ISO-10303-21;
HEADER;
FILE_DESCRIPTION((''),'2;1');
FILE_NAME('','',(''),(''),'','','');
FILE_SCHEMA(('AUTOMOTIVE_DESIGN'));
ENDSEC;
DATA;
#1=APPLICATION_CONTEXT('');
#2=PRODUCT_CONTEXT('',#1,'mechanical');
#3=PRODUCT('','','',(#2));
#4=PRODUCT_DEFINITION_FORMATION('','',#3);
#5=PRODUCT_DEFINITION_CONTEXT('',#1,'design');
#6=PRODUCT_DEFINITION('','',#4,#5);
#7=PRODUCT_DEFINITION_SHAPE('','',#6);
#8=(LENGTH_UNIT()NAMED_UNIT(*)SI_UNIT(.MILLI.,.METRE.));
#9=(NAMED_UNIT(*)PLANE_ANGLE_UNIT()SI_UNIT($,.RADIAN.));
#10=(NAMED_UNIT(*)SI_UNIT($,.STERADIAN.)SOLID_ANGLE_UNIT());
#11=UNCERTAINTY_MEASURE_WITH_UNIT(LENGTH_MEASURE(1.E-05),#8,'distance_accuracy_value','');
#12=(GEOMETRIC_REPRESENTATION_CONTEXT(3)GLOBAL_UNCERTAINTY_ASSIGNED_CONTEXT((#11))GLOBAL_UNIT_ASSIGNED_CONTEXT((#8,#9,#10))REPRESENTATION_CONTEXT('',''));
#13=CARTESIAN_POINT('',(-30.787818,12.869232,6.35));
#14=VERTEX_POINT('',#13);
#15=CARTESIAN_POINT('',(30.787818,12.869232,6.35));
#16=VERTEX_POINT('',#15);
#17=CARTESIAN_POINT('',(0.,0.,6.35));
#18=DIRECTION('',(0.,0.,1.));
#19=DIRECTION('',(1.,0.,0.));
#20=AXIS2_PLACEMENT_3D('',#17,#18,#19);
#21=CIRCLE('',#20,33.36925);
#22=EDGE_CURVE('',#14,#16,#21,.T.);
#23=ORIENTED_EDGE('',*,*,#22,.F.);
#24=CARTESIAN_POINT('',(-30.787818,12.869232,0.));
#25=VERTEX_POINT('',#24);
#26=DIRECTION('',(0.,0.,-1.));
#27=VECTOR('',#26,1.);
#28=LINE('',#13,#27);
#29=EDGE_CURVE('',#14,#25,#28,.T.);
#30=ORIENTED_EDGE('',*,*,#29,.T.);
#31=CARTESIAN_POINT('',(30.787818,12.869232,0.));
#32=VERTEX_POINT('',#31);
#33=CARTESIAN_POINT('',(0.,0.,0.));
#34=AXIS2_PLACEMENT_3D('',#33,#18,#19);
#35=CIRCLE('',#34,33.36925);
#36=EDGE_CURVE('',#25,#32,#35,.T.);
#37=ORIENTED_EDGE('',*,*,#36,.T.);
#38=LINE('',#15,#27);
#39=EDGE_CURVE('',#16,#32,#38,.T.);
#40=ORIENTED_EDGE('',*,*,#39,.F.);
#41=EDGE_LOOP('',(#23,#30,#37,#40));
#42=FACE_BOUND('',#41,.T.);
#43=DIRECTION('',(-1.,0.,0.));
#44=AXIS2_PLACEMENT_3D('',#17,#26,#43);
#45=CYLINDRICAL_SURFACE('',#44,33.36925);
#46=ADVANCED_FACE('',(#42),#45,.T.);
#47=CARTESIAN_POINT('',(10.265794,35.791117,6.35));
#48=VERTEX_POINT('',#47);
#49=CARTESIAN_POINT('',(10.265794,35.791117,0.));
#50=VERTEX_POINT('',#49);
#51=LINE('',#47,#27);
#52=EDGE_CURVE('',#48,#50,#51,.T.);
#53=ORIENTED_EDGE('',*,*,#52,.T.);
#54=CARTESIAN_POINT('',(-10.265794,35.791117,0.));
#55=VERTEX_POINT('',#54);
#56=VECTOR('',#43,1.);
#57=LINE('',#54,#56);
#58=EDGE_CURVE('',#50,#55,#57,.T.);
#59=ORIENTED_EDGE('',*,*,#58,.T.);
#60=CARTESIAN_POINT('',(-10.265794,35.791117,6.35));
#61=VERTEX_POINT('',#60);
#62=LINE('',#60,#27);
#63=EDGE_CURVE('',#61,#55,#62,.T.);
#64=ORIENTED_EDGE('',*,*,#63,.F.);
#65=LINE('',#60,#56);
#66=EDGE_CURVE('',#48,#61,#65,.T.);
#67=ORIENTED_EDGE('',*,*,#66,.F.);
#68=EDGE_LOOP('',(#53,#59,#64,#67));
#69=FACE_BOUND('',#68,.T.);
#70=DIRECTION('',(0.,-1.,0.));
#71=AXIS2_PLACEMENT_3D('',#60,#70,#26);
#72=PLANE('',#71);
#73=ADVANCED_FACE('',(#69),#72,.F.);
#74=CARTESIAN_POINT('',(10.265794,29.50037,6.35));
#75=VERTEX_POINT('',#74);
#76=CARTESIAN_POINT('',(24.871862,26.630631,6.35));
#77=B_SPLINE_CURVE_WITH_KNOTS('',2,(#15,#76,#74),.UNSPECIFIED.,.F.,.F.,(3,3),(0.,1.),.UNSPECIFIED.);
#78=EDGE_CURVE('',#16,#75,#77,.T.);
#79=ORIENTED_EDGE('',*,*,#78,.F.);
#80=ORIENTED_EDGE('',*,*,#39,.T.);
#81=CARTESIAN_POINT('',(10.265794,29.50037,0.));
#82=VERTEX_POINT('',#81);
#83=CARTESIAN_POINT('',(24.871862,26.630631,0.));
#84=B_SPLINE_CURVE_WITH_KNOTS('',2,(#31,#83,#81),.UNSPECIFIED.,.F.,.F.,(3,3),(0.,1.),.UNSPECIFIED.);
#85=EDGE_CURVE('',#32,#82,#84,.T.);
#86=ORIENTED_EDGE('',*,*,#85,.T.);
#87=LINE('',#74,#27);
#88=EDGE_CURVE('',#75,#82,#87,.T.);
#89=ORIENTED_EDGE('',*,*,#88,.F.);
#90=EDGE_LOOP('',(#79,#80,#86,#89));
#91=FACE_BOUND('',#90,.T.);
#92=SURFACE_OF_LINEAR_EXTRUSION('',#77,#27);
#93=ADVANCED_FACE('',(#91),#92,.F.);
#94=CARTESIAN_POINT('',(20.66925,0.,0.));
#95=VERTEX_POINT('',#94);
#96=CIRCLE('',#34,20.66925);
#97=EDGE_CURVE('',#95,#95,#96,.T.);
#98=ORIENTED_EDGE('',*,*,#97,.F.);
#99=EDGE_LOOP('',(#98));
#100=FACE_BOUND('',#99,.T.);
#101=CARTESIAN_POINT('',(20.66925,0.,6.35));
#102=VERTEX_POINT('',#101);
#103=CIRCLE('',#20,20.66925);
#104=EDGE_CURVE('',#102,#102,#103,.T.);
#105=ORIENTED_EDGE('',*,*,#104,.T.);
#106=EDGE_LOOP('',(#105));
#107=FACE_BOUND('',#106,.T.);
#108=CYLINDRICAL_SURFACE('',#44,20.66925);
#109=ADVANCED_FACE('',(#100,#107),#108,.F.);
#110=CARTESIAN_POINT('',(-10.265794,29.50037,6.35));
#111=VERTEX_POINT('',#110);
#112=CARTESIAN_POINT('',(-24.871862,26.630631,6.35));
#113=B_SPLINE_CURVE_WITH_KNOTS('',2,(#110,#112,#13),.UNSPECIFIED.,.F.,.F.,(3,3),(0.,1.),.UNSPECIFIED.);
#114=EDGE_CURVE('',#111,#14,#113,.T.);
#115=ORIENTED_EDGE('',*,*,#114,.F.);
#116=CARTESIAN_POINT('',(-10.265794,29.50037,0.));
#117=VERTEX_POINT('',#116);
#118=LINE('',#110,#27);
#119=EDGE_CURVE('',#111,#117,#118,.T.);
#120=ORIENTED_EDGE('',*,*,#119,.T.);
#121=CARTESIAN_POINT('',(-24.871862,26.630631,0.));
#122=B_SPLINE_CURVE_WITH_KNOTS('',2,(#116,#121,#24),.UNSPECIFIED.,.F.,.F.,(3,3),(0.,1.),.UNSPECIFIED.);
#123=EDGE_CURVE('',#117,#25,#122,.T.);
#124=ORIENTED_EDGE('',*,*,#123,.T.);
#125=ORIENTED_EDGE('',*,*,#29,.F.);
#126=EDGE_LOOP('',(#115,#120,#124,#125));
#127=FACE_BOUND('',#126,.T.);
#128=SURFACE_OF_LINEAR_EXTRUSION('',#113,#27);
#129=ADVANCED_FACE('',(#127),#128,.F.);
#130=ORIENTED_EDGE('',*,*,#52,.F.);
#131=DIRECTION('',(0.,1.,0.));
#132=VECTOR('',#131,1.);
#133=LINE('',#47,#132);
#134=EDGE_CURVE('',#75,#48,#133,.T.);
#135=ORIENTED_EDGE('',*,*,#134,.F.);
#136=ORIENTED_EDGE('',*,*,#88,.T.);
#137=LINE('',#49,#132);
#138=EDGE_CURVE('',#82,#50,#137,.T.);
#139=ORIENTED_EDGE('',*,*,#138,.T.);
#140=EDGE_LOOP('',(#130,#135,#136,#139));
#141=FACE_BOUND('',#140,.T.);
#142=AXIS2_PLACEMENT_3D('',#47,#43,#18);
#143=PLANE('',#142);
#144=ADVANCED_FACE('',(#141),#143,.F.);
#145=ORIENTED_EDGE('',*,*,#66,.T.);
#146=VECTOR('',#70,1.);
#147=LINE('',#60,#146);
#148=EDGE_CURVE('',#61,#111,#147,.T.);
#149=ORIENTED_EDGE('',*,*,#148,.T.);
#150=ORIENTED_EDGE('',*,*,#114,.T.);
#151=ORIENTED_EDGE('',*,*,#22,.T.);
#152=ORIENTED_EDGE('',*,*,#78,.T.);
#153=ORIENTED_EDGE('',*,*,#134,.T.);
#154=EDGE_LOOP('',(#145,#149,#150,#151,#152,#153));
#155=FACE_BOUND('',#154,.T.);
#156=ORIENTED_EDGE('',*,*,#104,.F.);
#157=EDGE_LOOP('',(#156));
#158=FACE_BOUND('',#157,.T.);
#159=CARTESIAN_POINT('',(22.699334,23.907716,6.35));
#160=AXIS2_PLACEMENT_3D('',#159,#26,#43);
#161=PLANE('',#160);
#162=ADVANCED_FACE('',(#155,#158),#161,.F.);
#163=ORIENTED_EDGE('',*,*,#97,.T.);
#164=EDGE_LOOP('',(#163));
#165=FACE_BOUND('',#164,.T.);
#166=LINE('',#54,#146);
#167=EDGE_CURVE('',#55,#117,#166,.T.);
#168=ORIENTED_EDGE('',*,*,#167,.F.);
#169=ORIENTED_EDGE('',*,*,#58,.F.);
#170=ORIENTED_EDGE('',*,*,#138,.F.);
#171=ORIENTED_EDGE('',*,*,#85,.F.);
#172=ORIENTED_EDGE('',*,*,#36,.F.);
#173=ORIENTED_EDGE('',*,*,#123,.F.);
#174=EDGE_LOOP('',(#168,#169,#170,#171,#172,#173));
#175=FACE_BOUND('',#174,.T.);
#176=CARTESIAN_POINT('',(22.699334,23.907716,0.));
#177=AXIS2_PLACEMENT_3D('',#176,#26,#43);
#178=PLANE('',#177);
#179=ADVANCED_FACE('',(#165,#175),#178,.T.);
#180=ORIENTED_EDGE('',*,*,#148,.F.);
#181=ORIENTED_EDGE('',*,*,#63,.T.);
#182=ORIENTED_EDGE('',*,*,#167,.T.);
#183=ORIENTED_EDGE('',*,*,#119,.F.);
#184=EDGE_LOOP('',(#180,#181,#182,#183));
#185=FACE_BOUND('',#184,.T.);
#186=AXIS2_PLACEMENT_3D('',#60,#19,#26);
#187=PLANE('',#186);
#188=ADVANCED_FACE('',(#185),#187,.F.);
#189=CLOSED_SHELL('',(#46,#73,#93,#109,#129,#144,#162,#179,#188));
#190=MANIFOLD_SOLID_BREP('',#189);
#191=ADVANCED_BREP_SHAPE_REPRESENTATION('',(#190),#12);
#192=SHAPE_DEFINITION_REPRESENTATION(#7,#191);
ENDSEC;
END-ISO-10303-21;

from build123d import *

# Parameters (mm, degrees)
SKETCH1_R           = 20.66925
BOSS_EXTRUDE1_DEPTH = 6.35


with BuildPart() as part:
    # Sketch1 → Boss-Extrude1 (new body)
    with BuildSketch(Plane.XY):
        with BuildLine():
            Line((-10.265793628, 35.791116693), (10.265793628, 35.791116693))
            Line((10.265793628, 35.791116693), (10.265793628, 29.50036983))
            add(Edge.make_bspline(
                [(30.787817782, 12.869231593), (24.871862383, 26.630631307), (10.265793628, 29.50036983)],
                knots=[0, 0, 0, 1, 1, 1], degree=2))
            ThreePointArc((30.787817782, 12.869231593), (0, -33.36925), (-30.787817782, 12.869231593))
            add(Edge.make_bspline(
                [(-30.787817782, 12.869231593), (-24.871862383, 26.630631307), (-10.265793628, 29.50036983)],
                knots=[0, 0, 0, 1, 1, 1], degree=2))
            Line((-10.265793628, 29.50036983), (-10.265793628, 35.791116693))
        make_face()
        Circle(SKETCH1_R, mode=Mode.SUBTRACT)
    extrude(amount=BOSS_EXTRUDE1_DEPTH)


solid = part.part
